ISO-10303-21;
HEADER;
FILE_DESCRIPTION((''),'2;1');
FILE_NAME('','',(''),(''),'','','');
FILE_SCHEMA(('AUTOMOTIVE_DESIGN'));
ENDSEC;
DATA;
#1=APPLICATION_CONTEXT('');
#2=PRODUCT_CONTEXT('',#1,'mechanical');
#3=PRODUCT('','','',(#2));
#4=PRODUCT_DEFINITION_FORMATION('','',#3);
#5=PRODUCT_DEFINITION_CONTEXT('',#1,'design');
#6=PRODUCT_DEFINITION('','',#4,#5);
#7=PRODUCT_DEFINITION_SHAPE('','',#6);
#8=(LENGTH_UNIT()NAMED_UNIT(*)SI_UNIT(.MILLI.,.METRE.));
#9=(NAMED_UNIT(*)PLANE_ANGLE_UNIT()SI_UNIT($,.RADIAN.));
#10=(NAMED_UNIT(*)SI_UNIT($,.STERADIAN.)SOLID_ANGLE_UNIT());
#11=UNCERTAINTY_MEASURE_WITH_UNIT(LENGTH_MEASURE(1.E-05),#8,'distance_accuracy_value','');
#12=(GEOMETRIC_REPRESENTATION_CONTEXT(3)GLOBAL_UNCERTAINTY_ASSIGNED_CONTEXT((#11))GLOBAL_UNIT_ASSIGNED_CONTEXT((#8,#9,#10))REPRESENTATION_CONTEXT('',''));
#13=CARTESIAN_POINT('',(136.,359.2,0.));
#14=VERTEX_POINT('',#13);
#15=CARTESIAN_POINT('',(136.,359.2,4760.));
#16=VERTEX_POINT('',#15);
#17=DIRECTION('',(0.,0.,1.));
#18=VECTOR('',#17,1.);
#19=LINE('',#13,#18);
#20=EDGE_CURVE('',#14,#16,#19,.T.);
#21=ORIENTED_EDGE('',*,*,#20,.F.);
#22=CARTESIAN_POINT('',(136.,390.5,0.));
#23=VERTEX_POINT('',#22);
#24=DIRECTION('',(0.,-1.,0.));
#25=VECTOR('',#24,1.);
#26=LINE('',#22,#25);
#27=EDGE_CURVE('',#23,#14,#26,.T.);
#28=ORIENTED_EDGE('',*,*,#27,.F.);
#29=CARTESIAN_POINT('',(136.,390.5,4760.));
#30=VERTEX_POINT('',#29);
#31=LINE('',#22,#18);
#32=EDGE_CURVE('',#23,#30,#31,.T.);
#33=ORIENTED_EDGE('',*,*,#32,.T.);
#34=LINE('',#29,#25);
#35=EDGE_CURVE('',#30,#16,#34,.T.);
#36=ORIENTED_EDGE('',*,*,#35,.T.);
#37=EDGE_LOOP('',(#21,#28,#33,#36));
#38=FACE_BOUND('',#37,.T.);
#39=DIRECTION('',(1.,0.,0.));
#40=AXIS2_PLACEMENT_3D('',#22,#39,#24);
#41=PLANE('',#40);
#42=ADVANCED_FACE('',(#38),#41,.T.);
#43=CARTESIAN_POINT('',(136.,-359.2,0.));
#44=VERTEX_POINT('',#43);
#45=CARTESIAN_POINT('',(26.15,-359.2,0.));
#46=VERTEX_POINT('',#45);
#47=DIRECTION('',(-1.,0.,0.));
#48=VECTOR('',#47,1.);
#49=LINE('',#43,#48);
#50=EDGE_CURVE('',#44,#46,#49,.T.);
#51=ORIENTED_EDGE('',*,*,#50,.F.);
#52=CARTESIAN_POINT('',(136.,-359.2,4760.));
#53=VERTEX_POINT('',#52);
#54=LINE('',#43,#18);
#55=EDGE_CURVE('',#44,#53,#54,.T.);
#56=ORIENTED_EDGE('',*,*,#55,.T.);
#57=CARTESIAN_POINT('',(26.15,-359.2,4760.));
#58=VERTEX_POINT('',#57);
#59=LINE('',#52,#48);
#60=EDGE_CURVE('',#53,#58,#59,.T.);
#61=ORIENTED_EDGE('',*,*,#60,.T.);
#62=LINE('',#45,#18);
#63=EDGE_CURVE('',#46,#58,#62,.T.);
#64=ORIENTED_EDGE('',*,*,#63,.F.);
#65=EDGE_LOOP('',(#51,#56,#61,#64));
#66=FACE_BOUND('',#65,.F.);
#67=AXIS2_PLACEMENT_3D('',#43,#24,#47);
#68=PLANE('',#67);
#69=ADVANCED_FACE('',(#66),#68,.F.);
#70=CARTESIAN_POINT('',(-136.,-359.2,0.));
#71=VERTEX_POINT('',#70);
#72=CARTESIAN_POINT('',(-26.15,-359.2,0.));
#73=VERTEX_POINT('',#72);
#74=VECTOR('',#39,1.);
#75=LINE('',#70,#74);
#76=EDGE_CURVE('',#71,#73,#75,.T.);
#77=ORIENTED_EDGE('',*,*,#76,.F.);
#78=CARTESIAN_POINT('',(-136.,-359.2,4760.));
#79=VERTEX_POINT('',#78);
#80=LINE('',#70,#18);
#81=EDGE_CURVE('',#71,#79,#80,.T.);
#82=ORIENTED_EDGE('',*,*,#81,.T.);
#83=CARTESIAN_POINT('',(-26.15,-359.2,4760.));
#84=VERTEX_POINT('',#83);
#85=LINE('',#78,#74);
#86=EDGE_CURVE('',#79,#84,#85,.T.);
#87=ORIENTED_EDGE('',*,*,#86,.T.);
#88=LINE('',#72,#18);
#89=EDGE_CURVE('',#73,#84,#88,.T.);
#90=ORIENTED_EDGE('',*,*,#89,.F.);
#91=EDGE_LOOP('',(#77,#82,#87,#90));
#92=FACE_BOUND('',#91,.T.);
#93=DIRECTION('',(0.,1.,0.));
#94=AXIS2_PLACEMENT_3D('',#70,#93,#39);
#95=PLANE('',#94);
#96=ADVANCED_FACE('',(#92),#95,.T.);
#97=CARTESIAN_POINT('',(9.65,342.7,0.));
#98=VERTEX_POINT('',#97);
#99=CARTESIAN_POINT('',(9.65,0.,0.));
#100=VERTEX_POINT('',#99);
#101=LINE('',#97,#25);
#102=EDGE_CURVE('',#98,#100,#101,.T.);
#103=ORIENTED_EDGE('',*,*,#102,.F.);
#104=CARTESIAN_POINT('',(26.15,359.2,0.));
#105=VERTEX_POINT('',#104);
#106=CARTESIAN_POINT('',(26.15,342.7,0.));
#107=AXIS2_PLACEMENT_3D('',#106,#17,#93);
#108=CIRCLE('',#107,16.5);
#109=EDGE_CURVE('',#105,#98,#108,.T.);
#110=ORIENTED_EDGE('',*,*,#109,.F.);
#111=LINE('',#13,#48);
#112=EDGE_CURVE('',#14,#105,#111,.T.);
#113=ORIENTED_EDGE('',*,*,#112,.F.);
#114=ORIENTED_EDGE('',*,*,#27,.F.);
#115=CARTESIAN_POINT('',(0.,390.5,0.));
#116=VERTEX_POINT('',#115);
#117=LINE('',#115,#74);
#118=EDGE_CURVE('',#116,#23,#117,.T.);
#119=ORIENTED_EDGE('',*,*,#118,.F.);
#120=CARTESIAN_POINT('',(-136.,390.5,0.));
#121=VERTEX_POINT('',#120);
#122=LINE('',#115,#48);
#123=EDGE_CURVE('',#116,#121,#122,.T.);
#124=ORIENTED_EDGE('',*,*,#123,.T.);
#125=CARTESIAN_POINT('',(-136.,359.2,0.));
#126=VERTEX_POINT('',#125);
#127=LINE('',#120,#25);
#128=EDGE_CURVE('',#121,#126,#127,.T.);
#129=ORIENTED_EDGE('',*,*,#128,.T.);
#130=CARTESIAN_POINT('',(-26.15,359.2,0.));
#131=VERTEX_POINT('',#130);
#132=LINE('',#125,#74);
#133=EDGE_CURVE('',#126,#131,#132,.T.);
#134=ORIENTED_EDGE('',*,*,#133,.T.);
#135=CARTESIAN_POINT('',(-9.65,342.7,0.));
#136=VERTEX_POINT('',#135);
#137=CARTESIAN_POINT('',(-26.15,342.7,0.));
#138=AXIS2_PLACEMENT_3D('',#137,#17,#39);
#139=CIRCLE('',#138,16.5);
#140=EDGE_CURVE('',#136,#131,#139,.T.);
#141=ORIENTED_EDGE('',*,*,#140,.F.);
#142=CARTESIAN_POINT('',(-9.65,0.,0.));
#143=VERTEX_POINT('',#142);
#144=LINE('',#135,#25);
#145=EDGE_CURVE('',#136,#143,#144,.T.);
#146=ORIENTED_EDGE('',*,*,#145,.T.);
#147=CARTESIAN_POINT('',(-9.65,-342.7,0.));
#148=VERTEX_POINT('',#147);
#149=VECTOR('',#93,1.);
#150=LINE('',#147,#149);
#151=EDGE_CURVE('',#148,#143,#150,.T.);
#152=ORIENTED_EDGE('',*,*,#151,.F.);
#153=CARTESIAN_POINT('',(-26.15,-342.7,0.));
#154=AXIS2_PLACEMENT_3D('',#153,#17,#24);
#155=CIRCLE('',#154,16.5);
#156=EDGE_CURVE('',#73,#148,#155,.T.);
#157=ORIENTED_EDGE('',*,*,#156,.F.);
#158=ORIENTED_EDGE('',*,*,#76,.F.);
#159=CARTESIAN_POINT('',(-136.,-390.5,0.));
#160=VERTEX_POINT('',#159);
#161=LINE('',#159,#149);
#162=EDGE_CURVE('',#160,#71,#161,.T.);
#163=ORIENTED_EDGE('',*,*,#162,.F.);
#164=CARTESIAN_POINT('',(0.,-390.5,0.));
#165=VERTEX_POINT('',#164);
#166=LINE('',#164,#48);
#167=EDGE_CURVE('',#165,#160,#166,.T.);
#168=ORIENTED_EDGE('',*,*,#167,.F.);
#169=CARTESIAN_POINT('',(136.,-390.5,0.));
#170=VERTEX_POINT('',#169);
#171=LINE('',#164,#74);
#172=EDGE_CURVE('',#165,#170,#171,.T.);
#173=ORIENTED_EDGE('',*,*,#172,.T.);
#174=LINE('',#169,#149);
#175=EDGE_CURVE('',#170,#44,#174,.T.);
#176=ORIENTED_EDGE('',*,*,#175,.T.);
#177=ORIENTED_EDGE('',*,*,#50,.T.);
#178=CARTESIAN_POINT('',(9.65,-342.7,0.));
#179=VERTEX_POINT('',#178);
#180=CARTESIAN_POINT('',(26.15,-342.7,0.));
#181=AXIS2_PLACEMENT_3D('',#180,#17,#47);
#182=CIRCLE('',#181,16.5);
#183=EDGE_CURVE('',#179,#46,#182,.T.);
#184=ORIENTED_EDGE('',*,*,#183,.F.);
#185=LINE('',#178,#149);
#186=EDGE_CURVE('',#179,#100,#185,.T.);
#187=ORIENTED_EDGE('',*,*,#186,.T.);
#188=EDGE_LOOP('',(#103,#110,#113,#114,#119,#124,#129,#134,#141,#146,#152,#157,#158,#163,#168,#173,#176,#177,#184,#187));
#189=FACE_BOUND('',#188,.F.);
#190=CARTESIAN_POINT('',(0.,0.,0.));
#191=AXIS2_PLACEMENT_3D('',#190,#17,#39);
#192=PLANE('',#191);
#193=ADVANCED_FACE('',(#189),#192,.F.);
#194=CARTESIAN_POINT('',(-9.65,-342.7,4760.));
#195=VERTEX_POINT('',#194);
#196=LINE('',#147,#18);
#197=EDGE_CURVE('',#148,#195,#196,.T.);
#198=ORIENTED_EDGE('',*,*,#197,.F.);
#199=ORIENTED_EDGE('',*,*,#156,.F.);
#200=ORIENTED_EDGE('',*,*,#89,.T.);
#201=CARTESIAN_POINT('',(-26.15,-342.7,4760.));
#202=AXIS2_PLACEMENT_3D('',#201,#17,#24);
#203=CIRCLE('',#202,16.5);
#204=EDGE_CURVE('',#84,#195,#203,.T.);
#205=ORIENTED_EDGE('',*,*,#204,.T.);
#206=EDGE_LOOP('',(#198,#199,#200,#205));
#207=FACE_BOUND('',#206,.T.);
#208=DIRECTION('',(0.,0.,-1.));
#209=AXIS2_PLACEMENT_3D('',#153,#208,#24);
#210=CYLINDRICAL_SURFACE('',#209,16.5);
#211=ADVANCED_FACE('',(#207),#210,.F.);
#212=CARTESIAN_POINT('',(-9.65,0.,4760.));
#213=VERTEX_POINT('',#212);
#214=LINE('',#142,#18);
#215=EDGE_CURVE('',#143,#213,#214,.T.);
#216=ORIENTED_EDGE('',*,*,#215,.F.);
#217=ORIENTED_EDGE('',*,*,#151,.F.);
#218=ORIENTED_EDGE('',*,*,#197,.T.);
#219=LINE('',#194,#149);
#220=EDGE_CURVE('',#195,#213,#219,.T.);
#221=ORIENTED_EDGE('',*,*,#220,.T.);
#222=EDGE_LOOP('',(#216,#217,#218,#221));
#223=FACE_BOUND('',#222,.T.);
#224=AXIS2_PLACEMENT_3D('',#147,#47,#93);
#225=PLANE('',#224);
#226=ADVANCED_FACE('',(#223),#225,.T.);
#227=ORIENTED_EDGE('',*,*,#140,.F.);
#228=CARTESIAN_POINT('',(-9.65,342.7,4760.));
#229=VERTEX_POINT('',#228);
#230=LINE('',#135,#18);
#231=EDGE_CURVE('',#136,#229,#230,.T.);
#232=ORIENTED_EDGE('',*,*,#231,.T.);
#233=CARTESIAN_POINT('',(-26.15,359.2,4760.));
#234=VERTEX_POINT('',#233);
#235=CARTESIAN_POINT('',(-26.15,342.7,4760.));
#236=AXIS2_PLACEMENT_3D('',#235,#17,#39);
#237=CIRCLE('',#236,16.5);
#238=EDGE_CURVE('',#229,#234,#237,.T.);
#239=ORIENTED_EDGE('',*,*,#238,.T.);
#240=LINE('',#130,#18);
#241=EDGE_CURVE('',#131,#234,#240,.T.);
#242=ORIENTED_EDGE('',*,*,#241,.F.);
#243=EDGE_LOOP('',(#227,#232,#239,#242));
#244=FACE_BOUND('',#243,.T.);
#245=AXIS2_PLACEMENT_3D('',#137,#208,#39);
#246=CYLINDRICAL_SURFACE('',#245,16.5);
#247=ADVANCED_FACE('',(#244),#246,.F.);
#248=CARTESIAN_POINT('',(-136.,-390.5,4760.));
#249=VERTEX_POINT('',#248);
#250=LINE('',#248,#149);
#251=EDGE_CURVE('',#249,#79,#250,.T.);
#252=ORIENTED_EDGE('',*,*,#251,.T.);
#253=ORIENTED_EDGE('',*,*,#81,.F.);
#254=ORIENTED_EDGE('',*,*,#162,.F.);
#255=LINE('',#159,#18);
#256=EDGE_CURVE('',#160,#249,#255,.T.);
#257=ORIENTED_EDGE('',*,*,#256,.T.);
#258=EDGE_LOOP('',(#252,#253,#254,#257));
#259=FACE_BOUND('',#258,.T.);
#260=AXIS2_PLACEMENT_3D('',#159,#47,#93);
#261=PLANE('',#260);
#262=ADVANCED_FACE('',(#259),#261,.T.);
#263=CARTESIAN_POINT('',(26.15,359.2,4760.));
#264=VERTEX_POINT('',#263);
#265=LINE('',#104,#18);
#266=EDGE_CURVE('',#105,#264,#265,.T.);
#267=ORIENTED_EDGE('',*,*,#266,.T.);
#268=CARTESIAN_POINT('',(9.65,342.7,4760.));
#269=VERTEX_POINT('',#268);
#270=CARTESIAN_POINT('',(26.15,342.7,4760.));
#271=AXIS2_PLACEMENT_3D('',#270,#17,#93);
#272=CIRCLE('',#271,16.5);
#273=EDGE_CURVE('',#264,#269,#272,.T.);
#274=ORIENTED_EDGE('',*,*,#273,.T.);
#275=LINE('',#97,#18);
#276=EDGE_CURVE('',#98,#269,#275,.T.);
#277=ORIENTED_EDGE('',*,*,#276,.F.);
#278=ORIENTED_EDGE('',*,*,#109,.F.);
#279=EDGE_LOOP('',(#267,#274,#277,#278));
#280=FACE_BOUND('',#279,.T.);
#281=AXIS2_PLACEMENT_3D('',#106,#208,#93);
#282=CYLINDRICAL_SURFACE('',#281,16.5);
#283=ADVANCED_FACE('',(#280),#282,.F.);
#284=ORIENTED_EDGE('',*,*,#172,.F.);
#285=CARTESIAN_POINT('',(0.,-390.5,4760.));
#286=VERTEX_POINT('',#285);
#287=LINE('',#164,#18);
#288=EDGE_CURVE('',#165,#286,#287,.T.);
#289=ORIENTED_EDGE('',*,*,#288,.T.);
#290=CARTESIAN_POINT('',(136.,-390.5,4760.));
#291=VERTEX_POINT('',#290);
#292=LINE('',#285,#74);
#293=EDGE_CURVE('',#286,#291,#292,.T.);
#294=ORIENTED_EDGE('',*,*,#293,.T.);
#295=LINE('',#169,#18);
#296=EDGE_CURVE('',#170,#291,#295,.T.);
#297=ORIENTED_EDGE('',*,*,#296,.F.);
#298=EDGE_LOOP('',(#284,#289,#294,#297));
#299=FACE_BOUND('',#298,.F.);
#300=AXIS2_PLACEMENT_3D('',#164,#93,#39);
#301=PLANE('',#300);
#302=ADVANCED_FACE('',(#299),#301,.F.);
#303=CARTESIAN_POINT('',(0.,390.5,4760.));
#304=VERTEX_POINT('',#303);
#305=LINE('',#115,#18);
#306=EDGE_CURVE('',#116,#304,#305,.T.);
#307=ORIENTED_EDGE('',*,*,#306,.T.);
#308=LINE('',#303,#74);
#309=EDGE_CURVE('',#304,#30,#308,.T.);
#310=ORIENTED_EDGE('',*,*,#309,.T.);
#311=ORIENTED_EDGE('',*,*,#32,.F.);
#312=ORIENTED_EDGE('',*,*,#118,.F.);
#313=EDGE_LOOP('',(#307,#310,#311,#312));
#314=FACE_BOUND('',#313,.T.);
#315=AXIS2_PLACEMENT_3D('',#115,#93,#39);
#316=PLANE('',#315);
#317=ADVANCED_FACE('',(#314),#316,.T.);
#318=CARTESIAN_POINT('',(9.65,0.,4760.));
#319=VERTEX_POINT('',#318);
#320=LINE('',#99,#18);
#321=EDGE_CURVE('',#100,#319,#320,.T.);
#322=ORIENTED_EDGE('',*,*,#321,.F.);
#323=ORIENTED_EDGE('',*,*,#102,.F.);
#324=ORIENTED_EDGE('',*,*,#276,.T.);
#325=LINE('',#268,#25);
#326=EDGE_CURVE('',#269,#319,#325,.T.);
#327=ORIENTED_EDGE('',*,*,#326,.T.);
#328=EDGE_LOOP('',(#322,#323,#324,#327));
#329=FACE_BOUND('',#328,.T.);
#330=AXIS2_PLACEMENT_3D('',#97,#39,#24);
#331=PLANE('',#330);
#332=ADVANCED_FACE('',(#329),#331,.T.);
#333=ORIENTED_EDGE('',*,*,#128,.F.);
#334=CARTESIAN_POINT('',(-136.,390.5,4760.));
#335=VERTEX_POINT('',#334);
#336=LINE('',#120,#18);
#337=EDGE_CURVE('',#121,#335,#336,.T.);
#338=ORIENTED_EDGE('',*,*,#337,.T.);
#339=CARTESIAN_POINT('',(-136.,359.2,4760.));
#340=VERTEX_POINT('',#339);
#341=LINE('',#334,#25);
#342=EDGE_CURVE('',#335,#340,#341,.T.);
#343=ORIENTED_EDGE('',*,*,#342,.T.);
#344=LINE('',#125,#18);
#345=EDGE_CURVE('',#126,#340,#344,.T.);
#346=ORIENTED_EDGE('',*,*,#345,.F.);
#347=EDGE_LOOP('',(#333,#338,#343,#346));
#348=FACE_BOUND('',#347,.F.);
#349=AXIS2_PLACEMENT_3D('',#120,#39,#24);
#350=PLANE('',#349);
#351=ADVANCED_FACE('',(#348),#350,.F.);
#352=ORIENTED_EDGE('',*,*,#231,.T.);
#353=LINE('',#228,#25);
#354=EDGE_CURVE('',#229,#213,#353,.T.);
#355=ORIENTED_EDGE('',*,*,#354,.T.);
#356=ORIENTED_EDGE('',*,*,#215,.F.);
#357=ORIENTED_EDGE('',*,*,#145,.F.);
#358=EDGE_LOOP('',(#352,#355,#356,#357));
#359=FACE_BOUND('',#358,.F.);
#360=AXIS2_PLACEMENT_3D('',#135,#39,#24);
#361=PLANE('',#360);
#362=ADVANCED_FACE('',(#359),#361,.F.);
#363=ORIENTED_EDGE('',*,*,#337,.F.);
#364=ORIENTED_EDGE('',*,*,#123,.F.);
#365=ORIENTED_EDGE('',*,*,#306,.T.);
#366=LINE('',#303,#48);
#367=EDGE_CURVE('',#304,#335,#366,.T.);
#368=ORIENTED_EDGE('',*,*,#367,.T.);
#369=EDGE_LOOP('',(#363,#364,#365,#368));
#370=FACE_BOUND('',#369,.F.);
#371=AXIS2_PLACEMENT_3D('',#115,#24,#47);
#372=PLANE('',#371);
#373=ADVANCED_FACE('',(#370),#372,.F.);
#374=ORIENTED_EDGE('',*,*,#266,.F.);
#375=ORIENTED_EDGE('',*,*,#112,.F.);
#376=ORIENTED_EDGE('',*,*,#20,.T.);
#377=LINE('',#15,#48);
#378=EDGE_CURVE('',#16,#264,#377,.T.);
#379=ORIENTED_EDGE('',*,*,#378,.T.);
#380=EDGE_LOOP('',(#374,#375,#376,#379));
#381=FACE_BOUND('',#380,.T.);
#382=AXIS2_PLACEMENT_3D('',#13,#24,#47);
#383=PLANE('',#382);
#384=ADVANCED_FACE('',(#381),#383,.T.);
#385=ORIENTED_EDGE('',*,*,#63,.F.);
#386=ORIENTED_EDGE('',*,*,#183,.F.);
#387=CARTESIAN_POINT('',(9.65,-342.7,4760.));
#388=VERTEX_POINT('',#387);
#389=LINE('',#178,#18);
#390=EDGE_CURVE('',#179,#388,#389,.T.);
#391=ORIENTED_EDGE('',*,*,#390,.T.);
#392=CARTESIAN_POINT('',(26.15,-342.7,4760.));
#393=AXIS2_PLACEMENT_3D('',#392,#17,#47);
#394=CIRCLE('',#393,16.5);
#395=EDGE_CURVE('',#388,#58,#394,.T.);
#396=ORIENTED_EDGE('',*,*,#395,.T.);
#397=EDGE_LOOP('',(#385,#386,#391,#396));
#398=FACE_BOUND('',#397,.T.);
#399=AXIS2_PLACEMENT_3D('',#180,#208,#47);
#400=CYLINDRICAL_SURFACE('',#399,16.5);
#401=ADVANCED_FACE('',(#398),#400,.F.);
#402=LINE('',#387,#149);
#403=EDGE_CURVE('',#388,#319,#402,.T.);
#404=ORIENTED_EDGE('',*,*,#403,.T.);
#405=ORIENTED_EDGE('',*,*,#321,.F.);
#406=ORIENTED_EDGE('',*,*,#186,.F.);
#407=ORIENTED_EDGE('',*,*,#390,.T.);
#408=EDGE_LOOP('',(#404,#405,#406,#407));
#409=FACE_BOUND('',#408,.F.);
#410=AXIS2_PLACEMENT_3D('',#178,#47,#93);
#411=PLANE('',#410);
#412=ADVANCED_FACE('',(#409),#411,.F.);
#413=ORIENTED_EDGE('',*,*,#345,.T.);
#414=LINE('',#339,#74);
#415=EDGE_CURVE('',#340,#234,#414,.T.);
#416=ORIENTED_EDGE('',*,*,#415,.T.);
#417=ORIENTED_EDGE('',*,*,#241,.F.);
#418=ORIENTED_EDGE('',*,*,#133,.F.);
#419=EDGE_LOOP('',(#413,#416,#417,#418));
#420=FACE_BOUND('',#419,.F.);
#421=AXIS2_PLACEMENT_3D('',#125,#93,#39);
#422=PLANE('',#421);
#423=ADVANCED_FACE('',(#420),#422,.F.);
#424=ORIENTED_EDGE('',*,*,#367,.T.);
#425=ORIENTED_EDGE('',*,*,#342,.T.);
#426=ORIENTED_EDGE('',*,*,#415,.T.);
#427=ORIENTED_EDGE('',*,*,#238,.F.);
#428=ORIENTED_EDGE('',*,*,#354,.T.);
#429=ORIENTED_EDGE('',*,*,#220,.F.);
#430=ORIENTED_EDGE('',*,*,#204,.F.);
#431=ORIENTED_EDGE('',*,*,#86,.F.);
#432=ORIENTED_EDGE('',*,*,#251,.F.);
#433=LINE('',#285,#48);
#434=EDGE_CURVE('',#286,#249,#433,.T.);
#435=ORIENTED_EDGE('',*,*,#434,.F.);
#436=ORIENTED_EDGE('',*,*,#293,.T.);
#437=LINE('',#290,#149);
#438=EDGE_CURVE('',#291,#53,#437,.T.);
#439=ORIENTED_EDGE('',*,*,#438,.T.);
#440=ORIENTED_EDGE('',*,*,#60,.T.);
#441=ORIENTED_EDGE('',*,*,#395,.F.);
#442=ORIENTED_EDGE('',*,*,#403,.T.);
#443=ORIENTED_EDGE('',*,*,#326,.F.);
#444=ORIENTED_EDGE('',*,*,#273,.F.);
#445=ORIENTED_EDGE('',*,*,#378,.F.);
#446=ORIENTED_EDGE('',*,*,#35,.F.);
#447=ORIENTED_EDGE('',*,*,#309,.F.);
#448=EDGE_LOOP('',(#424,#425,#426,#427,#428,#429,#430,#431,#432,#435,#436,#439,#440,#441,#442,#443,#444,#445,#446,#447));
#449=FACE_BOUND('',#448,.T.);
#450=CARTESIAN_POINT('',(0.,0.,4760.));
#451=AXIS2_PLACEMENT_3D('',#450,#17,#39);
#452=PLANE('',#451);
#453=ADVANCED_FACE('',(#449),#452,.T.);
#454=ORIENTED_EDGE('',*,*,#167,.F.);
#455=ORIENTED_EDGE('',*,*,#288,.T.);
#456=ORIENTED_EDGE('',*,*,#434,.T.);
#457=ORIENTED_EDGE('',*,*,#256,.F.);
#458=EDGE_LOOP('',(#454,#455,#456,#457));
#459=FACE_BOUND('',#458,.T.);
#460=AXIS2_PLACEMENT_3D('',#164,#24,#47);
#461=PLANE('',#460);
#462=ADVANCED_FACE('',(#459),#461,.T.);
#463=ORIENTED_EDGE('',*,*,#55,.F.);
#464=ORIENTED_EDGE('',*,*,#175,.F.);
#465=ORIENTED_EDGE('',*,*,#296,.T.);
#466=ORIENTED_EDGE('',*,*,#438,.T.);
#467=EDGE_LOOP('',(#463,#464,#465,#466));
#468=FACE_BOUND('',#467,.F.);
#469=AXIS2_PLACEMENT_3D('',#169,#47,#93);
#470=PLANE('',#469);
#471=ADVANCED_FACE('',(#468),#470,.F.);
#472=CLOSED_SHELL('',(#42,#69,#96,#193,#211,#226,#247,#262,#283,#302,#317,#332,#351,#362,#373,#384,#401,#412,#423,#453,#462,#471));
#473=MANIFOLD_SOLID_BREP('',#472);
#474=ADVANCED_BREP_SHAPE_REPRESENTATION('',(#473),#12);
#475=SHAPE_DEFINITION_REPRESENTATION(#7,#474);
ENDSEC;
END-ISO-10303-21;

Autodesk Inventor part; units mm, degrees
ref_plane "YZ Plane" through (0, 0, 0) normal (1, 0, 0) x (0, 1, 0)
ref_plane "Start plane" through (0, 0, 0) normal (0, 0, 1) x (1, 0, 0)
ref_plane "End plane" through (0, 0, 4760) normal (0, 0, 1) x (1, 0, 0)
sketch "Sketch" plane through (0, 0, 0) normal (0, 0, 1) x (1, 0, 0)
  line L0 (-136, -390.5) -> (-136, -359.2)
  line L1 (-136, -359.2) -> (-26.15, -359.2)
  line L2 (-9.65, -342.7) -> (-9.65, 0)
  line L3 (-9.65, 0) -> (0, 0) construction
  line L4 (0, 0) -> (0, -390.5) construction
  line L5 (0, -390.5) -> (-136, -390.5)
  line L6 (-60, 0) -> (80, 0) construction
  line L7 (0, -60) -> (0, 80) construction
  line L8 (136, -390.5) -> (136, -359.2)
  line L9 (136, -359.2) -> (26.15, -359.2)
  line L10 (9.65, -342.7) -> (9.65, 0)
  line L11 (9.65, 0) -> (0, 0) construction
  line L12 (0, -390.5) -> (136, -390.5)
  line L13 (-136, 390.5) -> (-136, 359.2)
  line L14 (-136, 359.2) -> (-26.15, 359.2)
  line L15 (-9.65, 342.7) -> (-9.65, 0)
  line L16 (0, 390.5) -> (-136, 390.5)
  line L17 (136, 390.5) -> (136, 359.2)
  line L18 (136, 359.2) -> (26.15, 359.2)
  line L19 (0, 390.5) -> (136, 390.5)
  line L20 (9.65, 342.7) -> (9.65, 0)
  arc A0 (-9.65, 342.7) -> (-26.15, 359.2) centre (-26.15, 342.7) ccw
  arc A1 (26.15, 359.2) -> (9.65, 342.7) centre (26.15, 342.7) ccw
  arc A2 (9.65, -342.7) -> (26.15, -359.2) centre (26.15, -342.7) ccw
  arc A3 (-26.15, -359.2) -> (-9.65, -342.7) centre (-26.15, -342.7) ccw
  line L21 (0, 108) -> (0, -88) construction
  line L22 (-88, 0) -> (108, 0) construction
  point P0 (-9.65, -359.2)
  point P1 (9.65, -359.2)
  point P2 (-9.65, 359.2)
  point P3 (9.65, 359.2)
  dimension "d1" = 390.5
  dimension "d2" = 31.3
  dimension "d3" = 136
  dimension "d4" = 9.65
  dimension "d10" = 16.5
extrude "Body" add sketch "Sketch" along normal up to surface (4760 mm away) from surface at 0
sketch "Sketch4" plane through (0, 0, 0) normal (0, 0, 1) x (1, 0, 0)
  line L0 (0, 0) -> (10, 0)
ref_plane "Work Plane3" through (0, 0, 0) normal (0, -1, 0) x (1, 0, 0)
sketch "Sketch5" plane through (0, 0, 0) normal (0, -1, 0) x (1, 0, 0)
  line L0 (-2, 0) -> (12, 0) projected
  line L1 (-2, 4760) -> (12, 4760) projected
  dimension "d14" = 4760
equation "\"d1\" = 0.5 * G_H"
equation "\"d2\" = G_T1"
equation "\"d3\" = 0.5 * G_W"
equation "\"d4\" = 0.5 * G_T"
equation "\"d10\" = G_IR"
equation "\"d5\" = G_L"
equation "\"G_W\" = 272"
equation "\"G_H\" = 781"
equation "\"G_T\" = 19.3"
equation "\"G_T1\" = 31.3"
equation "\"G_IR\" = 16.5"
equation "\"G_L\" = d14"
equation "\"G_OFFSET_START\" = 0"
equation "\"G_OFFSET_END\" = 0"
properties part number "AS 3679-1990 - 760 UB - 244 - 4760" material "Steel, Mild"
